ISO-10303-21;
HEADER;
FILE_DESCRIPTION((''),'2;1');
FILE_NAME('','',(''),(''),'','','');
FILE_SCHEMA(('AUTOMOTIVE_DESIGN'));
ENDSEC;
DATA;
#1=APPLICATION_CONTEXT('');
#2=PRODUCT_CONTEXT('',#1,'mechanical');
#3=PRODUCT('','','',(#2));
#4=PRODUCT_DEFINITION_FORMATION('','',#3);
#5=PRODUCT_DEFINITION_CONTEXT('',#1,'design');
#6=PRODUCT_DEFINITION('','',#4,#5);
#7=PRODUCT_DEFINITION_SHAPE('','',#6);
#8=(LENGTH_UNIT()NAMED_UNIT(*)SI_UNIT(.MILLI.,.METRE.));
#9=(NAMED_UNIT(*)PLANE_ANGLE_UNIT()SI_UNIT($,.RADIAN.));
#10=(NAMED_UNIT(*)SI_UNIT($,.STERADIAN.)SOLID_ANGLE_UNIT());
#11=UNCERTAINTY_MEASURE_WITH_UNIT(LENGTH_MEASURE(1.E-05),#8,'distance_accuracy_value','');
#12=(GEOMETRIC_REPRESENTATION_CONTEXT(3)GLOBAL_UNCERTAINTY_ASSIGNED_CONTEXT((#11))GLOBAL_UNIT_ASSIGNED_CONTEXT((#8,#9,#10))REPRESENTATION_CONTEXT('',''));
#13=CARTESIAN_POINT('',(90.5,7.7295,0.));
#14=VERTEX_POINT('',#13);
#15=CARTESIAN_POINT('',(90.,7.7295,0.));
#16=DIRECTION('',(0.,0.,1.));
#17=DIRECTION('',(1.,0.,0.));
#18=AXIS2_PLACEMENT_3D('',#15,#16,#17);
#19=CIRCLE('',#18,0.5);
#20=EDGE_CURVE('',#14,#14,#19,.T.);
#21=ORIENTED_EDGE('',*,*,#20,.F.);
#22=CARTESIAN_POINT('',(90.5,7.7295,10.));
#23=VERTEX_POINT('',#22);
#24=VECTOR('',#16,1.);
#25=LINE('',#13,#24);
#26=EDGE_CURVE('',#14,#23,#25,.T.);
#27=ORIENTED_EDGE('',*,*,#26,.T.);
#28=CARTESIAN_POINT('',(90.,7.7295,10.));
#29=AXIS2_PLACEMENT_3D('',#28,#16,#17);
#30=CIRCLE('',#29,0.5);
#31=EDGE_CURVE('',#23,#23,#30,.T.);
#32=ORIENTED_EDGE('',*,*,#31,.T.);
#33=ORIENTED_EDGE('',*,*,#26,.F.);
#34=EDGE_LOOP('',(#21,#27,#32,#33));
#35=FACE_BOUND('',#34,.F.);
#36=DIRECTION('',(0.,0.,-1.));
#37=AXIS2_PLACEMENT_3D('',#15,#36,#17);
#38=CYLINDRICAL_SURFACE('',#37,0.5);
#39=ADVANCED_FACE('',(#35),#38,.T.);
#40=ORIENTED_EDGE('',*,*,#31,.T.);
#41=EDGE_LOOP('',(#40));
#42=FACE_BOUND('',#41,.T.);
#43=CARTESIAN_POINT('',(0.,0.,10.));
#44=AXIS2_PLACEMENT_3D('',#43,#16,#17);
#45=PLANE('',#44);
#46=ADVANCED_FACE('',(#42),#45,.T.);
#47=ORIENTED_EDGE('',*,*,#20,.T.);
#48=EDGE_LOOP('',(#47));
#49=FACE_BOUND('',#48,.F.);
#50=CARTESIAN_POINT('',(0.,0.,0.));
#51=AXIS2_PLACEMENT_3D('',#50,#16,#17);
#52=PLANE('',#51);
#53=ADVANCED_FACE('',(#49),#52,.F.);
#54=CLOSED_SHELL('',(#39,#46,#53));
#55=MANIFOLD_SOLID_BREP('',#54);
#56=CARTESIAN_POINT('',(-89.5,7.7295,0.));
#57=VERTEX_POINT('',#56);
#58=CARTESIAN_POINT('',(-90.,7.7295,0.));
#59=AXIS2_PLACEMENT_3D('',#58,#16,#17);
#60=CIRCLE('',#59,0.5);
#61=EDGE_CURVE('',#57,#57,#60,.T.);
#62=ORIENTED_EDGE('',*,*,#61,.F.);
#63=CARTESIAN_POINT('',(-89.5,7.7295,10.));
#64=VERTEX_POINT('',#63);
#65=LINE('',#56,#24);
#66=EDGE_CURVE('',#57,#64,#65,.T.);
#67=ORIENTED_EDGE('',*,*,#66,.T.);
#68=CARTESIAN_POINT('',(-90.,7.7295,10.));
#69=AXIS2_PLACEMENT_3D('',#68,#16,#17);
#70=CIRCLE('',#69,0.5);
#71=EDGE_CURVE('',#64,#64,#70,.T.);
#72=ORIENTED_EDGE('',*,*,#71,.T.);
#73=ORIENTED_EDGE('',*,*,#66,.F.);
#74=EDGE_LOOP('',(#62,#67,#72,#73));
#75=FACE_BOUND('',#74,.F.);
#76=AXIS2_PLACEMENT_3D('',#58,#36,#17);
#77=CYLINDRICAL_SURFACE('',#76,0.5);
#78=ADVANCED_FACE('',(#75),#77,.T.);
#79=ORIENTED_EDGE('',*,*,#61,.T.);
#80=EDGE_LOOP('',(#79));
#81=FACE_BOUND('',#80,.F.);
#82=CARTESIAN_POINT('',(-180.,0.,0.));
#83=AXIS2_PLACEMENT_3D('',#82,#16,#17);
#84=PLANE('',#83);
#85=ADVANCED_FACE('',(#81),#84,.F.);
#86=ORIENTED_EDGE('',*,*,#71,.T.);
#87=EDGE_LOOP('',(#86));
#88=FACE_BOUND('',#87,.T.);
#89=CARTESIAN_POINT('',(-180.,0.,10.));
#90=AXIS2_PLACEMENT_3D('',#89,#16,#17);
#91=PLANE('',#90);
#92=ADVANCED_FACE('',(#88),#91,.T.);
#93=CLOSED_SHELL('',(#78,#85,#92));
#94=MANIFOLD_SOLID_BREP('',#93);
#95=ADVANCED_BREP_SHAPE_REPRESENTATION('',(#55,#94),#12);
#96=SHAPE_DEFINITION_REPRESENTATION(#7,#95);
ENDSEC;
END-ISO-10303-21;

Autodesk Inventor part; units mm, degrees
ref_plane "YZ Plane" through (0, 0, 0) normal (1, 0, 0) x (0, 1, 0)
ref_plane "XZ Plane" through (0, 0, 0) normal (0, 1, 0) x (-1, 0, 0)
ref_plane "XY Plane" through (0, 0, 0) normal (0, 0, 1) x (1, 0, 0)
sketch "Sketch1" plane through (0, 0, 0) normal (0, 0, 1) x (1, 0, 0)
  line L0 (-150, -24.894) -> (150, -24.894)
  line L1 (150, -24.894) -> (150, 24.894)
  line L2 (150, 24.894) -> (-150, 24.894)
  line L3 (-150, 24.894) -> (-150, -24.894)
  line L4 (-150, -24.894) -> (150, 24.894) construction
  line L5 (150, -24.894) -> (-150, 24.894) construction
  point P0 (0, 0)
  dimension "d0" = 300
  dimension "d1" = 49.788
sketch "Lamello" plane through (0, 0, 0) normal (0, 0, 1) x (1, 0, 0)
  line L0 (48.383, 141.1858) -> (42.783, 141.1858)
  line L1 (40.583, 139.6858) -> (40.583, 114.6858)
  line L2 (42.783, 113.1858) -> (48.383, 113.1858)
  line L3 (50.583, 114.6858) -> (50.583, 139.6858)
  line L4 (50.583, 139.6858) -> (48.383, 141.1858)
  line L5 (40.583, 139.6858) -> (42.783, 141.1858)
  line L6 (40.583, 114.6858) -> (42.783, 113.1858)
  line L7 (50.583, 114.6858) -> (48.383, 113.1858)
  line L8 (50.583, 127.1858) -> (40.583, 127.1858)
  line L9 (45.583, 141.1858) -> (45.583, 113.1858)
  point P0 (45.583, 127.1858)
  point P1 (50.583, 141.1858)
  point P2 (40.583, 113.1858)
  point P3 (40.583, 141.1858)
  point P4 (50.583, 113.1858)
  dimension "d54" = 10
  dimension "d55" = 28
  dimension "d56" = 1.5
  dimension "d57" = 2.2
  dimension "d58" = 1.5
  dimension "d59" = 2.2
  dimension "d60" = 1.5
  dimension "d61" = 2.2
  dimension "d62" = 1.5
  dimension "d63" = 2.2
sketch "Sketch2" plane through (0, 0, 0) normal (0, 0, 1) x (1, 0, 0)
  circle A0 centre (90, 7.7295) radius 0.5
  line L0 (150, 24.894) -> (-150, 24.894) projected
  line L1 (-150, -24.894) -> (150, -24.894) projected
  line L2 (0, -114.0221) -> (0, 77.337) projected
  line L3 (150, -24.894) -> (150, 24.894) projected
  point P0 (0, 0)
  dimension "d4" = 1
  dimension "d50" = 17.1645
  dimension "d70" = 60
extrude "Extrusion1" add sketch "Sketch2" along normal blind 10 contours A0
pattern_linear "Clamex Array" count 2 spacing 180 along (-1, 0, 0) of "Extrusion1"
sketch "Edge-Side Connection" plane through (0, 0, 0) normal (1, 0, 0) x (0, 1, 0)
  line L0 (-50, 0) -> (50, 0)
  line L1 (50, 0) -> (50, 37)
  line L2 (50, 37) -> (-50, 37)
  line L3 (-50, 37) -> (-50, 0)
  line L4 (-24.894, 0) -> (-29.0982, -40)
  line L5 (-29.0982, -40) -> (20.6898, -40)
  line L6 (20.6898, -40) -> (24.894, 0)
  line L7 (-0.6005, -14) -> (-0.6005, 14) construction
  line L8 (24.894, 0) -> (4.3995, 0)
  line L9 (-5.6005, -12.5) -> (-25.9826, -10.3577)
  point P0 (0, 0)
  point P1 (24.894, 0)
  point P2 (-24.894, 0)
  point P3 (0, 0)
  dimension "d26" = 100
  dimension "d27" = 37
  dimension "d28" = 40
  dimension "OtherSideRefYCoordinate" = 24.2935
  dimension "ReferenceCoord" = 25.4945
  dimension "d49" = 96
sketch "Edge-Edge Connection" plane through (0, 0, 0) normal (1, 0, 0) x (0, 1, 0)
  line L0 (-86.6851, 37) -> (33.3149, 37)
  line L1 (33.3149, 37) -> (0, 0)
  line L2 (0, 0) -> (-86.6851, 0)
  line L3 (-86.6851, 0) -> (-86.6851, 37)
  line L4 (33.3149, 37) -> (45.8584, -82.3426)
  line L5 (0, 0) -> (9.0611, -86.2102)
  line L6 (9.0611, -86.2102) -> (45.8584, -82.3426)
  line L7 (8.1396, 9.04) -> (0, 0)
  line L8 (5.5416, 24.8355) -> (5.5416, 37)
  point P0 (11.4853, 12.7557)
  dimension "d51" = 37
  dimension "d53" = 37
  dimension "EdgeEdgeReferenceCoord" = 17.1645
  dimension "d65" = 96
  dimension "d66" = 120
  dimension "d67" = 120
  dimension "EdgeEdgeOtherSideRefYCoordinate" = 32.624
equation "\"d9\" = Step"
equation "\"d27\" = NestleBoardT"
equation "\"d0\" = ContactPatchWidth"
equation "\"d1\" = ContactPatchHeight"
equation "\"ContactPatchWidth\" = 300"
equation "\"ContactPatchHeight\" = 49.788"
equation "\"MinDistBetween\" = 96"
equation "\"Step\" = 180"
equation "\"Y_Coord\" = 17.16446"
equation "\"NestleBoardT\" = 37"
equation "\"PillarBoardT\" = 37"
equation "\"AngleForYPositionCalc\" = 96deg"
equation "\"ConnectionAngle\" = 96deg"
equation "\"ShiftY\" = 0"
properties part number "Clamex Joint1200"
